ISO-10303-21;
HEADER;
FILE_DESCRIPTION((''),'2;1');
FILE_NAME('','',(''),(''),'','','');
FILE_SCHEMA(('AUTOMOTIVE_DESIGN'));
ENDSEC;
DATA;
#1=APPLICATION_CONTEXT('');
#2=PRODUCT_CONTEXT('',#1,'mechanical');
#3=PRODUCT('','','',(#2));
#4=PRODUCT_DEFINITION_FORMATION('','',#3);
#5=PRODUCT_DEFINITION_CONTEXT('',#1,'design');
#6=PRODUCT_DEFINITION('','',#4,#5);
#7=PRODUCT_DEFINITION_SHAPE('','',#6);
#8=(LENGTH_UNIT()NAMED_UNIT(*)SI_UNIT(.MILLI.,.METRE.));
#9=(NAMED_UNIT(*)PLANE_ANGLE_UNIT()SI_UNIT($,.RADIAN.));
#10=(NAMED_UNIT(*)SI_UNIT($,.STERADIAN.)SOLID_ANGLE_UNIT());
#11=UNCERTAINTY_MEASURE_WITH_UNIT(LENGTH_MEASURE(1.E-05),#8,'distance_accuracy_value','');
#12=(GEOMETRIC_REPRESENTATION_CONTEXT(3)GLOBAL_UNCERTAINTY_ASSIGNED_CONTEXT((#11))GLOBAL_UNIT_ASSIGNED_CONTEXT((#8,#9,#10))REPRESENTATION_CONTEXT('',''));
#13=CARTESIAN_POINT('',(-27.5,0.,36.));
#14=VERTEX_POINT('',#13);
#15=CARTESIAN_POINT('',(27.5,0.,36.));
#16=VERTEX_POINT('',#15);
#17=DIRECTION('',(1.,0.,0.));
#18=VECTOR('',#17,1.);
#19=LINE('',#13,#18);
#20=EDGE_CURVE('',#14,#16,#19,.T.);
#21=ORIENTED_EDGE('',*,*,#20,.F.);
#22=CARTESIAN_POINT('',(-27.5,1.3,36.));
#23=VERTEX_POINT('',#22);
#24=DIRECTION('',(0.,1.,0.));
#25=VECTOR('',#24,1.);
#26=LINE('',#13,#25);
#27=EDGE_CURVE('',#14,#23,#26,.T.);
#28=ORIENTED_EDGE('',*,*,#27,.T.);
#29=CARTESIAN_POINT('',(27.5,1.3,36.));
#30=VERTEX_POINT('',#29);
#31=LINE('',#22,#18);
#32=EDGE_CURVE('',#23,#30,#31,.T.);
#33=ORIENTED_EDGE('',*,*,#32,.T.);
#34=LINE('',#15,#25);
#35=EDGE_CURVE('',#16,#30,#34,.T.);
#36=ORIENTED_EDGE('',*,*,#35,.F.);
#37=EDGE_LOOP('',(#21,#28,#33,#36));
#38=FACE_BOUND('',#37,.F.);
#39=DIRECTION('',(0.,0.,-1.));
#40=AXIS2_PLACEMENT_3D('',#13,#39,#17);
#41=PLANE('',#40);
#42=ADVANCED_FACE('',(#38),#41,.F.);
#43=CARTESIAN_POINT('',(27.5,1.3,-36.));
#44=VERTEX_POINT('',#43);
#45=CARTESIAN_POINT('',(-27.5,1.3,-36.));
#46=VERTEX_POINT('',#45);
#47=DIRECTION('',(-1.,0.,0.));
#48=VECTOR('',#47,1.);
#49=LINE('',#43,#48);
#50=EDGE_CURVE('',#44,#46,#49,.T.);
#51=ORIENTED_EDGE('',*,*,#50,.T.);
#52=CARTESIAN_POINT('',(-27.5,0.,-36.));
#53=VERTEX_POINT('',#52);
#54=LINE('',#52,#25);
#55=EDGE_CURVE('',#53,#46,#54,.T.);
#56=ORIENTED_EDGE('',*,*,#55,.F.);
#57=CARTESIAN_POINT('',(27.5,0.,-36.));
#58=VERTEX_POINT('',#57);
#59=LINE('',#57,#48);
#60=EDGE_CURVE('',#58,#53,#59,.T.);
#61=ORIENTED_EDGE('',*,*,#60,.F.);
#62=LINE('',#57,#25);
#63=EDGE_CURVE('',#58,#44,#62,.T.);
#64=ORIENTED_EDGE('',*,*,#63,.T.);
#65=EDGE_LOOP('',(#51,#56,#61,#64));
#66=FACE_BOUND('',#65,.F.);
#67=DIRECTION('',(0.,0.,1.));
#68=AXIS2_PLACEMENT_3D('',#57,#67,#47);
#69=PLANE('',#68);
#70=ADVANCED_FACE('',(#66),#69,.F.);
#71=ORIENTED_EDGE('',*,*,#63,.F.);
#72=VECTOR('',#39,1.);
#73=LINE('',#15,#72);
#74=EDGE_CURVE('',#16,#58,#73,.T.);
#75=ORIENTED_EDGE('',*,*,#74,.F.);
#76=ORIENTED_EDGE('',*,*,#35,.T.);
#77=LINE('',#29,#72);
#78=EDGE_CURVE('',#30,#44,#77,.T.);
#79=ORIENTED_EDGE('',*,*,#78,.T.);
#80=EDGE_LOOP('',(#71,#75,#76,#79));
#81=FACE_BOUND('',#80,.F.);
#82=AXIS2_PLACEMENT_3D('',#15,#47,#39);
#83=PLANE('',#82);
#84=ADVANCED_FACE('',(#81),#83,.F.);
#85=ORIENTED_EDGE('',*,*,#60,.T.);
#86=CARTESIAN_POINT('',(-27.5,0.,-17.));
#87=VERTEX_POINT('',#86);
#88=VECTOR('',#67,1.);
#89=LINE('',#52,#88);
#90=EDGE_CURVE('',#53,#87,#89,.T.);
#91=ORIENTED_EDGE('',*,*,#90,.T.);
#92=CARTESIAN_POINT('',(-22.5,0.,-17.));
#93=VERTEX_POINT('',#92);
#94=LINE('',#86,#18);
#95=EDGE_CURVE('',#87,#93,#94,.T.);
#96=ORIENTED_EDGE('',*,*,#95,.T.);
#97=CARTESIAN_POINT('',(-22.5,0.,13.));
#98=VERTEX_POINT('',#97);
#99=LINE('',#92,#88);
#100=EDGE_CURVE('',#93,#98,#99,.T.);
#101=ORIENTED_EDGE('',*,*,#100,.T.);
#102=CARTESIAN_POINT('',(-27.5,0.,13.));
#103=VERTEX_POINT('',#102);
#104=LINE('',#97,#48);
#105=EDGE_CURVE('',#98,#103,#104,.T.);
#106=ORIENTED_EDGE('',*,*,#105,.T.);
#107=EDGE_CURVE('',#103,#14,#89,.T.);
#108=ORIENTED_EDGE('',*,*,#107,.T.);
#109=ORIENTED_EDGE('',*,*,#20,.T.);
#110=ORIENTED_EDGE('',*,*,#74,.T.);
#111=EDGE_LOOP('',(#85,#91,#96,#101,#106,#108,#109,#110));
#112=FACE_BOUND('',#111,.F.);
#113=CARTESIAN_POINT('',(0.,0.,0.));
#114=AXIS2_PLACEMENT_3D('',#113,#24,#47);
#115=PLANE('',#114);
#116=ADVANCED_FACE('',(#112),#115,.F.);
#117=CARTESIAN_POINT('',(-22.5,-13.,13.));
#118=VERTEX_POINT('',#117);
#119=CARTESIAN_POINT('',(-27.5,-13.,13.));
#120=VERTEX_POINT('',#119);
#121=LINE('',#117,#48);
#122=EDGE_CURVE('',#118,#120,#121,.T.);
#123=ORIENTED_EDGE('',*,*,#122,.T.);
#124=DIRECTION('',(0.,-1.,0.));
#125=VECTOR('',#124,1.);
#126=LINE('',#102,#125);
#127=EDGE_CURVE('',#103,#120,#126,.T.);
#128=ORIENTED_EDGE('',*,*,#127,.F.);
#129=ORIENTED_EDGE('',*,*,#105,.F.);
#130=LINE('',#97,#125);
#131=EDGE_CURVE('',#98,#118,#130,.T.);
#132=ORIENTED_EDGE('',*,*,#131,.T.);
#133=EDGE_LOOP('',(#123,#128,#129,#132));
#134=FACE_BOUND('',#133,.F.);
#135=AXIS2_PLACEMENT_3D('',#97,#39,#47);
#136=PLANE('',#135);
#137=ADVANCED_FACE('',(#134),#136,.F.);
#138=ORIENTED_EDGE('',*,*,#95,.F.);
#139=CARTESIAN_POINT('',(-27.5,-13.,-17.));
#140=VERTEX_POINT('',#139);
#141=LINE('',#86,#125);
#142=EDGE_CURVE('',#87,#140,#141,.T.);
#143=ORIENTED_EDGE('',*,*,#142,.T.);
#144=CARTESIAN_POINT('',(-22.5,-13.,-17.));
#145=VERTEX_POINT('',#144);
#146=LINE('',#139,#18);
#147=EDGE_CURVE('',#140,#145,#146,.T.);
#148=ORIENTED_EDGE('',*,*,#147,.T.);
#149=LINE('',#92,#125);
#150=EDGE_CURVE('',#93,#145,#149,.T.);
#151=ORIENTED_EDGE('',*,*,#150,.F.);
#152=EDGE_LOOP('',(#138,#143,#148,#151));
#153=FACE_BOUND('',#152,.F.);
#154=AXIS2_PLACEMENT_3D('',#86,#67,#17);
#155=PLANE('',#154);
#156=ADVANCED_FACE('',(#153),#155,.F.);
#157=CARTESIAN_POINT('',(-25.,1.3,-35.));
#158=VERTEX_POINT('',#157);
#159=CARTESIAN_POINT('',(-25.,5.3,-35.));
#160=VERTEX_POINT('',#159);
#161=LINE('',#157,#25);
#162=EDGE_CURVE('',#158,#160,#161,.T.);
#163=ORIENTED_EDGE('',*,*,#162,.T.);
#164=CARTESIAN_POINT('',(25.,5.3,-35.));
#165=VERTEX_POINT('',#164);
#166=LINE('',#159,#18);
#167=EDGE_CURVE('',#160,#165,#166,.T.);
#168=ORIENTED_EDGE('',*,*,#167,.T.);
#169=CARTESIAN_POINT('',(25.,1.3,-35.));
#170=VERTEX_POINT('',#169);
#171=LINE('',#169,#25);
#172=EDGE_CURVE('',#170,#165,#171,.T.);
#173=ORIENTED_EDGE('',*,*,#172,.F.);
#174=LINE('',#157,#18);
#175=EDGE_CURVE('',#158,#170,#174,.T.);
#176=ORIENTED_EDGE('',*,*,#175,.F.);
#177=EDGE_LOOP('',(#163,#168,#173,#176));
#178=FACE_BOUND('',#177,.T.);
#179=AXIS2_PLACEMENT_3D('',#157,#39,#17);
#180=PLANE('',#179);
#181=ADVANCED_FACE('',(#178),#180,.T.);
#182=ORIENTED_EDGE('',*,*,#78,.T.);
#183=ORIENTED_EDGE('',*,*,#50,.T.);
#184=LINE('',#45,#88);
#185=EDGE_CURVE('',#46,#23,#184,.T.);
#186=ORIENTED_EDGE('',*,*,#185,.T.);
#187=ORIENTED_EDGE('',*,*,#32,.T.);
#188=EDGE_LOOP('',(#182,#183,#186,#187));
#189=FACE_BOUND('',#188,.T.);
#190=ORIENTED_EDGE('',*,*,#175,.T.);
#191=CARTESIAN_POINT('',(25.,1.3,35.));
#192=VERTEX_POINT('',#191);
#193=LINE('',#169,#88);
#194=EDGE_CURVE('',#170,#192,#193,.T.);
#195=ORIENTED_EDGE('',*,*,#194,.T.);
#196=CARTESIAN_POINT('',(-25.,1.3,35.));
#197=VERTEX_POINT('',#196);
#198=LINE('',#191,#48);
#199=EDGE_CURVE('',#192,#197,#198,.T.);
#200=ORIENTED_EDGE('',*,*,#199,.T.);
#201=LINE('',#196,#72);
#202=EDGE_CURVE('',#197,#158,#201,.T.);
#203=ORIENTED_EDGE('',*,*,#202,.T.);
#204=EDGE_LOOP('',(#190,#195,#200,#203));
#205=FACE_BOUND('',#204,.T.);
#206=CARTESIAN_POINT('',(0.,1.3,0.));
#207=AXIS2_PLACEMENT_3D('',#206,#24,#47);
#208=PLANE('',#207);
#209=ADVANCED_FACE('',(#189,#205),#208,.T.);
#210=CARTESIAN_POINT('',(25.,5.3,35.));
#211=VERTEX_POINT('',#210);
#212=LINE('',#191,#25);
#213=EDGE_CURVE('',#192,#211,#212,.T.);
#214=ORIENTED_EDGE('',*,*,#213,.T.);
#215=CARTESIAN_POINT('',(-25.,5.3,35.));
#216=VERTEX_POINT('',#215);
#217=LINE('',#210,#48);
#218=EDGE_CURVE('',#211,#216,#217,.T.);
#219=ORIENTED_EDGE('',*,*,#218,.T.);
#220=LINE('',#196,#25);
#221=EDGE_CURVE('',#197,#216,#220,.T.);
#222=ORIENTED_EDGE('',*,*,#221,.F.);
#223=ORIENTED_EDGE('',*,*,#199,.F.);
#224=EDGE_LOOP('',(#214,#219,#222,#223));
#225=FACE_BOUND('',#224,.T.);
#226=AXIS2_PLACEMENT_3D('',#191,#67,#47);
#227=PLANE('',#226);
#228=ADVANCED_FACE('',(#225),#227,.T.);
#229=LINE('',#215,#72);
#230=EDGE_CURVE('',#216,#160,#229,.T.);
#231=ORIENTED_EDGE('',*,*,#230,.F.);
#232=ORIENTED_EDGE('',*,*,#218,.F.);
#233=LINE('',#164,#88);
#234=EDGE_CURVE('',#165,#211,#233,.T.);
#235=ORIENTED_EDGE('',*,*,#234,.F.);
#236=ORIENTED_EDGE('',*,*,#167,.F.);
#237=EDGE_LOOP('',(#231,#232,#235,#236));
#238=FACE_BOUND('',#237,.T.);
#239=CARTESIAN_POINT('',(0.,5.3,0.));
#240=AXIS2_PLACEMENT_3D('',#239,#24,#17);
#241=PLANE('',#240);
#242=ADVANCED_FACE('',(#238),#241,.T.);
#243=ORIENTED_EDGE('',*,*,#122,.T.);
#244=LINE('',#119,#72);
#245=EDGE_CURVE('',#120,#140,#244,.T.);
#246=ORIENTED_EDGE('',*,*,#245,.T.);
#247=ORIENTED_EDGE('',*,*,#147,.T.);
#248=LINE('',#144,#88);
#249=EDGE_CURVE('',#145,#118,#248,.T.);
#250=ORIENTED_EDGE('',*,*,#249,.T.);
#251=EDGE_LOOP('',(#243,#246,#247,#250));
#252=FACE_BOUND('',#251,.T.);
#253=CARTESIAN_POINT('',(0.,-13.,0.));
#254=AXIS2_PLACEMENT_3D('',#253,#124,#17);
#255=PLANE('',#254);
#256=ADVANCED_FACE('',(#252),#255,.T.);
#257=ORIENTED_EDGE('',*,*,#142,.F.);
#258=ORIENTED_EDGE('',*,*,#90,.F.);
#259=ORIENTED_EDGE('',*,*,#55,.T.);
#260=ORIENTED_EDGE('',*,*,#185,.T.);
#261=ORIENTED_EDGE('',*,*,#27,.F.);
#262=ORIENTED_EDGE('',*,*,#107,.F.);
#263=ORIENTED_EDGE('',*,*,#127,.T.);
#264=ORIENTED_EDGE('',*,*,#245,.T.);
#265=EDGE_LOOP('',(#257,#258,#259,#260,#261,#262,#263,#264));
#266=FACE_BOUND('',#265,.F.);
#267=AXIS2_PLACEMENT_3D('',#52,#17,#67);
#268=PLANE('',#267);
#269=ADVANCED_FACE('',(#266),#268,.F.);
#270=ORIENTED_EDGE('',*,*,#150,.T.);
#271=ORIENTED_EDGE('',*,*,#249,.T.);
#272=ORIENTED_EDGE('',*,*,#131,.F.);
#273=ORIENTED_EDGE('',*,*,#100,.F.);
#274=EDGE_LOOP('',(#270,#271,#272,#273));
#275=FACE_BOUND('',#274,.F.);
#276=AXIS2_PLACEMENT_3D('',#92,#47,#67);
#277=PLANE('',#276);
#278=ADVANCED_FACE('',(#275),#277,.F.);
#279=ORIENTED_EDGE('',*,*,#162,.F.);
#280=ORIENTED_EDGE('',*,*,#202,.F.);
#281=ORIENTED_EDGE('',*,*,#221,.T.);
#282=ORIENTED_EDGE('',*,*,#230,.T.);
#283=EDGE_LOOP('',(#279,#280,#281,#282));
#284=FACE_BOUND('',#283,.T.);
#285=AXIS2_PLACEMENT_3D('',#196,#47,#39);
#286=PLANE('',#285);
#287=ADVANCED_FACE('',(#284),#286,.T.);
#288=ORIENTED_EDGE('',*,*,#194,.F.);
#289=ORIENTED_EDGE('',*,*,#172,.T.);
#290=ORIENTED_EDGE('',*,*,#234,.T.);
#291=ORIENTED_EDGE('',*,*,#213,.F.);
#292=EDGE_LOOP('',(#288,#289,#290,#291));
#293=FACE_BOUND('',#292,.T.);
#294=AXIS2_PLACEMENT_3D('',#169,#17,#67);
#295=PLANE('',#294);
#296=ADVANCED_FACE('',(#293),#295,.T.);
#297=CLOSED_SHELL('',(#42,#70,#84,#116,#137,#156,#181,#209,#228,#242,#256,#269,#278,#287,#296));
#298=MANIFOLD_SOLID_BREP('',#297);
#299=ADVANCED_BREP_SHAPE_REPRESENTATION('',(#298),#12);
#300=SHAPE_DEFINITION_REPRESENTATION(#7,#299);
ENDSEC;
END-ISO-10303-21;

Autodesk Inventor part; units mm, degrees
ref_plane "YZ Plane" through (0, 0, 0) normal (1, 0, 0) x (0, 1, 0)
ref_plane "XZ Plane" through (0, 0, 0) normal (0, 1, 0) x (-1, 0, 0)
ref_plane "XY Plane" through (0, 0, 0) normal (0, 0, 1) x (1, 0, 0)
sketch "Sketch1" plane through (0, 0, 0) normal (0, 1, 0) x (-1, 0, 0)
  line L0 (27.5, 36) -> (-27.5, 36)
  line L1 (-27.5, 36) -> (-27.5, -36)
  line L2 (-27.5, -36) -> (27.5, -36)
  line L3 (27.5, -36) -> (27.5, 36)
  line L4 (27.5, 36) -> (-27.5, -36) construction
  line L5 (-27.5, 36) -> (27.5, -36) construction
  point P0 (0, 0)
  dimension "d0" = 55
  dimension "d1" = 72
extrude "Extrusion1" add sketch "Sketch1" along normal blind 1.3
sketch "Sketch2" plane through (0, 1.3, 0) normal (0, 1, 0) x (1, 0, 0)
  line L0 (-25, 35) -> (25, 35)
  line L1 (25, 35) -> (25, -35)
  line L2 (25, -35) -> (-25, -35)
  line L3 (-25, -35) -> (-25, 35)
  line L4 (-25, 35) -> (25, -35) construction
  line L5 (25, 35) -> (-25, -35) construction
  point P0 (0, 0)
  dimension "d4" = 70
  dimension "d5" = 50
extrude "Extrusion2" add sketch "Sketch2" along normal blind 4
sketch "Sketch3" plane through (0, 0, 0) normal (0, -1, 0) x (1, 0, 0)
  line L0 (-27.5, -17) -> (-22.5, -17)
  line L1 (-22.5, -17) -> (-22.5, 13)
  line L2 (-22.5, 13) -> (-27.5, 13)
  line L3 (-27.5, 13) -> (-27.5, -17)
  line L4 (27.5, -36) -> (-27.5, -36) projected
  line L5 (-27.5, -36) -> (-27.5, 36) projected
  point P0 (0, 0)
  dimension "d8" = 30
  dimension "d9" = 5
  dimension "d10" = 19
  dimension "d11" = 0
extrude "Extrusion3" add sketch "Sketch3" along normal blind 13
properties part number "display"
